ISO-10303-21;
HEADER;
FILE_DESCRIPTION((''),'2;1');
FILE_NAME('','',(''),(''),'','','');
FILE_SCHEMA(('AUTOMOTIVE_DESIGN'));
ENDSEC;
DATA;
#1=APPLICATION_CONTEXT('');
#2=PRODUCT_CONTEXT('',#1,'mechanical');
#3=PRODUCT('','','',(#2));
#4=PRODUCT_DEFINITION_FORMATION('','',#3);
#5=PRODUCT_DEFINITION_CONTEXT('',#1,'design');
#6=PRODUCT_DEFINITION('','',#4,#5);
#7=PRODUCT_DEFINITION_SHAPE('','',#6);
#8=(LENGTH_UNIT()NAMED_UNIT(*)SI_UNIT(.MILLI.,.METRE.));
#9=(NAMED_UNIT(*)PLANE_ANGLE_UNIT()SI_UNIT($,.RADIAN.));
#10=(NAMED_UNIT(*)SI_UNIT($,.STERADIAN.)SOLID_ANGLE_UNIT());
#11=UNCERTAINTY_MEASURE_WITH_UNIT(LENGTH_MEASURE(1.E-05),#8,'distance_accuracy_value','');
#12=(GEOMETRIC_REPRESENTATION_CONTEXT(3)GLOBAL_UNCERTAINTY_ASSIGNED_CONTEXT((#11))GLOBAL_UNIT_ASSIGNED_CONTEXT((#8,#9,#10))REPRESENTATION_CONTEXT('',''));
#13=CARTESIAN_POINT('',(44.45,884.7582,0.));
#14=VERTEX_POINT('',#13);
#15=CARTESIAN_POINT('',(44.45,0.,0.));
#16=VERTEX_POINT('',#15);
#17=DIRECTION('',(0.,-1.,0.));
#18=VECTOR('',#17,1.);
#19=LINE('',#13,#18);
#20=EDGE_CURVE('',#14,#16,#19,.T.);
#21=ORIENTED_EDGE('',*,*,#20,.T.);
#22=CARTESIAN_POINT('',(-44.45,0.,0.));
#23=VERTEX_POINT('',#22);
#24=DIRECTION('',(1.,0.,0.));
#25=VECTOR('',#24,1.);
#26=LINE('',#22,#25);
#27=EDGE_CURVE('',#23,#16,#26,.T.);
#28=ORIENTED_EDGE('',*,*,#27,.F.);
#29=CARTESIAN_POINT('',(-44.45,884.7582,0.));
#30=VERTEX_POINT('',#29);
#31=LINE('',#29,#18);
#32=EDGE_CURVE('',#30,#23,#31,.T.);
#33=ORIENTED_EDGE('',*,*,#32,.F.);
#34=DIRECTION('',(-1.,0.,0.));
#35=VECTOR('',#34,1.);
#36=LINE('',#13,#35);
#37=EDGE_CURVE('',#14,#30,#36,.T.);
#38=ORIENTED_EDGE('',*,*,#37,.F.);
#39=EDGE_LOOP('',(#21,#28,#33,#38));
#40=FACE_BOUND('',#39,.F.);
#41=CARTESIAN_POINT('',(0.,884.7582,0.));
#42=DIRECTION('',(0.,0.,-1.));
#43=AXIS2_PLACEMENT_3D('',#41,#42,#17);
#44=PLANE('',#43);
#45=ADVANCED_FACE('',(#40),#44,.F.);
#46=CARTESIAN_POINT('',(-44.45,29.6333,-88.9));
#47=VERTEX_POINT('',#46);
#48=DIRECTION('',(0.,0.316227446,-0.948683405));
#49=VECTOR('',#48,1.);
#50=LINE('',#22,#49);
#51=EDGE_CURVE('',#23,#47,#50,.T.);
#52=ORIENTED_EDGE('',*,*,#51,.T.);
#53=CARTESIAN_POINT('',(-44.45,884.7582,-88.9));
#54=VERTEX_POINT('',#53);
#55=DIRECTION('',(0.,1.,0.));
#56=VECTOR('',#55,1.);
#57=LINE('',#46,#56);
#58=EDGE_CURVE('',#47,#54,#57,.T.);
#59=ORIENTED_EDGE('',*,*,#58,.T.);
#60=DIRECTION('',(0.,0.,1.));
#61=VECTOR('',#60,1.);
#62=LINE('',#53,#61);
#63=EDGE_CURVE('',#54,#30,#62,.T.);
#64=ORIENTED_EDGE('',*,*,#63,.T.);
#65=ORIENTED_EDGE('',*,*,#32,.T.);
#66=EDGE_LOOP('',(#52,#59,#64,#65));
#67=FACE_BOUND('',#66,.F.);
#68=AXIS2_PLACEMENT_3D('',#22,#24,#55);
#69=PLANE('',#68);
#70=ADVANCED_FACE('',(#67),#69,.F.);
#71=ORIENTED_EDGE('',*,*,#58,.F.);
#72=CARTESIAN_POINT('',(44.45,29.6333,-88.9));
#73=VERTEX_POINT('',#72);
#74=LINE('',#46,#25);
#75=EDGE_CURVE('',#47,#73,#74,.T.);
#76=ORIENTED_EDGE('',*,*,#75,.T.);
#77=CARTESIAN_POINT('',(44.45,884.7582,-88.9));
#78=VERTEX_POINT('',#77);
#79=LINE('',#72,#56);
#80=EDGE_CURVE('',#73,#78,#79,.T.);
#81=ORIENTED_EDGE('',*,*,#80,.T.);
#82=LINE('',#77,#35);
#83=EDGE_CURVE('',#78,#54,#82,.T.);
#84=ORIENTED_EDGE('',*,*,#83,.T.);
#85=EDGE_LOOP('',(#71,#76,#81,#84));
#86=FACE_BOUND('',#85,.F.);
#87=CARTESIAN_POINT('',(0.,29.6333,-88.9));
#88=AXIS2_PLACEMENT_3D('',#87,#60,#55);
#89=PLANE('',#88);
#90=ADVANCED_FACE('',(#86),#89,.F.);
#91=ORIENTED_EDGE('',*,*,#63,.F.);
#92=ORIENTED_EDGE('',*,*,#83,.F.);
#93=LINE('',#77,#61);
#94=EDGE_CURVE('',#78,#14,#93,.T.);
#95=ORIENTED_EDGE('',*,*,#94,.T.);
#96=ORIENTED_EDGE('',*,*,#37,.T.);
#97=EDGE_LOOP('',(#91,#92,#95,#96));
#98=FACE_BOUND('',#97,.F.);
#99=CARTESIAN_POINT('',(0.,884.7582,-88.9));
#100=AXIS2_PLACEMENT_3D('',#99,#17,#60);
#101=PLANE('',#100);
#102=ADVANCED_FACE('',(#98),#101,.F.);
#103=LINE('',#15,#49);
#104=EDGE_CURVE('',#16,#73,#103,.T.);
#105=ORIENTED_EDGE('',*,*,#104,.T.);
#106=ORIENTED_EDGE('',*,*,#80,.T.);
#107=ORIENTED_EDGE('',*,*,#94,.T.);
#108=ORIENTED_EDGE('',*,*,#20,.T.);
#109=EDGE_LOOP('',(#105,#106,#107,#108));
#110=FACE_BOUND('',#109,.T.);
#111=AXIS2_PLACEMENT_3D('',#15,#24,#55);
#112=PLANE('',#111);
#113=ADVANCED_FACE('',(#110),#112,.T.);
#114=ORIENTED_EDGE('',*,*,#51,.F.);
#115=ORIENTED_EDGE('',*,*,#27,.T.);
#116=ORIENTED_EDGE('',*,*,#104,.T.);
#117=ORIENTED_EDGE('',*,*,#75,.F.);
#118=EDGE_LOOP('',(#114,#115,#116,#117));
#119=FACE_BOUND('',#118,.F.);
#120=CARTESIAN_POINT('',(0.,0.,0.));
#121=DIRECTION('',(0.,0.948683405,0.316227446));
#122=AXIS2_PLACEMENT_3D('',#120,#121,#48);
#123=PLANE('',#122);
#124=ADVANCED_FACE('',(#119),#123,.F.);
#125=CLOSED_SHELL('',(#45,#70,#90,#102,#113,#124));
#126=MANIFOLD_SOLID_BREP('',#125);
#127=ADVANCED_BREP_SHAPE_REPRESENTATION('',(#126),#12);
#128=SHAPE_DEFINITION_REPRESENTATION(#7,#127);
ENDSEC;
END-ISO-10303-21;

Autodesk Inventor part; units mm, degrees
ref_plane "YZ Plane" through (0, 0, 0) normal (1, 0, 0) x (0, 1, 0)
ref_plane "XZ Plane" through (0, 0, 0) normal (0, 1, 0) x (-1, 0, 0)
ref_plane "XY Plane" through (0, 0, 0) normal (0, 0, 1) x (1, 0, 0)
sketch "Sketch1" plane through (0, 0, 0) normal (1, 0, 0) x (0, 1, 0)
  line L0 (0, 0) -> (29.6333, -88.9)
  line L1 (29.6333, -88.9) -> (884.7582, -88.9)
  line L2 (884.7582, -88.9) -> (884.7582, 0)
  line L3 (884.7582, 0) -> (0, 0)
  line L4 (0, 0) -> (0, -88.9) construction
  dimension "width" = 88.9
  dimension "roofAngle" = 18.435
  dimension "height" = 884.7582
extrude "Extrusion1" add sketch "Sketch1" along normal mid plane 88.9
equation "\"d3\" = width"
properties part number "4x4x35-post" material "Wood (Birch)"
